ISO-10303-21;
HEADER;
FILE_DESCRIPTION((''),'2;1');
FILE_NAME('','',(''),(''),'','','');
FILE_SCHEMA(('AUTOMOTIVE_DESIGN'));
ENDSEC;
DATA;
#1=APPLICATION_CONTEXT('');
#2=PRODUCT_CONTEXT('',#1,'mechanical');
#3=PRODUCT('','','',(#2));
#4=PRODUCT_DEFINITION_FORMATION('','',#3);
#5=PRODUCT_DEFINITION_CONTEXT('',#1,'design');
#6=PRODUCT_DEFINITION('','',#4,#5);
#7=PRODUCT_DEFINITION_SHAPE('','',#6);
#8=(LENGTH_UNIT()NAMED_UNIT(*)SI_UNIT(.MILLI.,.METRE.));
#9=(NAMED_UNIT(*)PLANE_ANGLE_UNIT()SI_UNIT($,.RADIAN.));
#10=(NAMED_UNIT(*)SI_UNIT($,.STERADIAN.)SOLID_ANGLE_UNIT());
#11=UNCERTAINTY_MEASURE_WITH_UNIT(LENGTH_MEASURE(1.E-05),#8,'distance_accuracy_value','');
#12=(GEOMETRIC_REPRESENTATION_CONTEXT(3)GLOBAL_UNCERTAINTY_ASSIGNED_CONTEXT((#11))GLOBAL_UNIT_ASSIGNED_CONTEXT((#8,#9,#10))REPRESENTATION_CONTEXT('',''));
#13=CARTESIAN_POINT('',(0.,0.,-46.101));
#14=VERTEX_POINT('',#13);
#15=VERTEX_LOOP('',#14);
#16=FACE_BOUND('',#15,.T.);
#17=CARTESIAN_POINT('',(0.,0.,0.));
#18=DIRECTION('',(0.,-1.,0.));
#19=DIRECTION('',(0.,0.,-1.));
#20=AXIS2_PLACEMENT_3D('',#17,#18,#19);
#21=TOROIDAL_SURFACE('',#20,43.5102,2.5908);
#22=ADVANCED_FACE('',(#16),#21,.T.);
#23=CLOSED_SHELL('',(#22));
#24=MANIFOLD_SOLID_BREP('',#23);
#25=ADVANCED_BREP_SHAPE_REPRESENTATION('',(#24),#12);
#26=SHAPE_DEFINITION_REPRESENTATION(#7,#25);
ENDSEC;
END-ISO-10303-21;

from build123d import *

# Parameters (mm, degrees)
SKETCH1_R = 2.5908


with BuildPart() as part:
    # Sketch1 → Revolve1 (revolve)
    with BuildSketch(Plane.XY):
        with Locations((-43.5102, 0)):
            Circle(SKETCH1_R)
    revolve(axis=Axis((0, 0, 0), (0, 1, 0)))


solid = part.part
